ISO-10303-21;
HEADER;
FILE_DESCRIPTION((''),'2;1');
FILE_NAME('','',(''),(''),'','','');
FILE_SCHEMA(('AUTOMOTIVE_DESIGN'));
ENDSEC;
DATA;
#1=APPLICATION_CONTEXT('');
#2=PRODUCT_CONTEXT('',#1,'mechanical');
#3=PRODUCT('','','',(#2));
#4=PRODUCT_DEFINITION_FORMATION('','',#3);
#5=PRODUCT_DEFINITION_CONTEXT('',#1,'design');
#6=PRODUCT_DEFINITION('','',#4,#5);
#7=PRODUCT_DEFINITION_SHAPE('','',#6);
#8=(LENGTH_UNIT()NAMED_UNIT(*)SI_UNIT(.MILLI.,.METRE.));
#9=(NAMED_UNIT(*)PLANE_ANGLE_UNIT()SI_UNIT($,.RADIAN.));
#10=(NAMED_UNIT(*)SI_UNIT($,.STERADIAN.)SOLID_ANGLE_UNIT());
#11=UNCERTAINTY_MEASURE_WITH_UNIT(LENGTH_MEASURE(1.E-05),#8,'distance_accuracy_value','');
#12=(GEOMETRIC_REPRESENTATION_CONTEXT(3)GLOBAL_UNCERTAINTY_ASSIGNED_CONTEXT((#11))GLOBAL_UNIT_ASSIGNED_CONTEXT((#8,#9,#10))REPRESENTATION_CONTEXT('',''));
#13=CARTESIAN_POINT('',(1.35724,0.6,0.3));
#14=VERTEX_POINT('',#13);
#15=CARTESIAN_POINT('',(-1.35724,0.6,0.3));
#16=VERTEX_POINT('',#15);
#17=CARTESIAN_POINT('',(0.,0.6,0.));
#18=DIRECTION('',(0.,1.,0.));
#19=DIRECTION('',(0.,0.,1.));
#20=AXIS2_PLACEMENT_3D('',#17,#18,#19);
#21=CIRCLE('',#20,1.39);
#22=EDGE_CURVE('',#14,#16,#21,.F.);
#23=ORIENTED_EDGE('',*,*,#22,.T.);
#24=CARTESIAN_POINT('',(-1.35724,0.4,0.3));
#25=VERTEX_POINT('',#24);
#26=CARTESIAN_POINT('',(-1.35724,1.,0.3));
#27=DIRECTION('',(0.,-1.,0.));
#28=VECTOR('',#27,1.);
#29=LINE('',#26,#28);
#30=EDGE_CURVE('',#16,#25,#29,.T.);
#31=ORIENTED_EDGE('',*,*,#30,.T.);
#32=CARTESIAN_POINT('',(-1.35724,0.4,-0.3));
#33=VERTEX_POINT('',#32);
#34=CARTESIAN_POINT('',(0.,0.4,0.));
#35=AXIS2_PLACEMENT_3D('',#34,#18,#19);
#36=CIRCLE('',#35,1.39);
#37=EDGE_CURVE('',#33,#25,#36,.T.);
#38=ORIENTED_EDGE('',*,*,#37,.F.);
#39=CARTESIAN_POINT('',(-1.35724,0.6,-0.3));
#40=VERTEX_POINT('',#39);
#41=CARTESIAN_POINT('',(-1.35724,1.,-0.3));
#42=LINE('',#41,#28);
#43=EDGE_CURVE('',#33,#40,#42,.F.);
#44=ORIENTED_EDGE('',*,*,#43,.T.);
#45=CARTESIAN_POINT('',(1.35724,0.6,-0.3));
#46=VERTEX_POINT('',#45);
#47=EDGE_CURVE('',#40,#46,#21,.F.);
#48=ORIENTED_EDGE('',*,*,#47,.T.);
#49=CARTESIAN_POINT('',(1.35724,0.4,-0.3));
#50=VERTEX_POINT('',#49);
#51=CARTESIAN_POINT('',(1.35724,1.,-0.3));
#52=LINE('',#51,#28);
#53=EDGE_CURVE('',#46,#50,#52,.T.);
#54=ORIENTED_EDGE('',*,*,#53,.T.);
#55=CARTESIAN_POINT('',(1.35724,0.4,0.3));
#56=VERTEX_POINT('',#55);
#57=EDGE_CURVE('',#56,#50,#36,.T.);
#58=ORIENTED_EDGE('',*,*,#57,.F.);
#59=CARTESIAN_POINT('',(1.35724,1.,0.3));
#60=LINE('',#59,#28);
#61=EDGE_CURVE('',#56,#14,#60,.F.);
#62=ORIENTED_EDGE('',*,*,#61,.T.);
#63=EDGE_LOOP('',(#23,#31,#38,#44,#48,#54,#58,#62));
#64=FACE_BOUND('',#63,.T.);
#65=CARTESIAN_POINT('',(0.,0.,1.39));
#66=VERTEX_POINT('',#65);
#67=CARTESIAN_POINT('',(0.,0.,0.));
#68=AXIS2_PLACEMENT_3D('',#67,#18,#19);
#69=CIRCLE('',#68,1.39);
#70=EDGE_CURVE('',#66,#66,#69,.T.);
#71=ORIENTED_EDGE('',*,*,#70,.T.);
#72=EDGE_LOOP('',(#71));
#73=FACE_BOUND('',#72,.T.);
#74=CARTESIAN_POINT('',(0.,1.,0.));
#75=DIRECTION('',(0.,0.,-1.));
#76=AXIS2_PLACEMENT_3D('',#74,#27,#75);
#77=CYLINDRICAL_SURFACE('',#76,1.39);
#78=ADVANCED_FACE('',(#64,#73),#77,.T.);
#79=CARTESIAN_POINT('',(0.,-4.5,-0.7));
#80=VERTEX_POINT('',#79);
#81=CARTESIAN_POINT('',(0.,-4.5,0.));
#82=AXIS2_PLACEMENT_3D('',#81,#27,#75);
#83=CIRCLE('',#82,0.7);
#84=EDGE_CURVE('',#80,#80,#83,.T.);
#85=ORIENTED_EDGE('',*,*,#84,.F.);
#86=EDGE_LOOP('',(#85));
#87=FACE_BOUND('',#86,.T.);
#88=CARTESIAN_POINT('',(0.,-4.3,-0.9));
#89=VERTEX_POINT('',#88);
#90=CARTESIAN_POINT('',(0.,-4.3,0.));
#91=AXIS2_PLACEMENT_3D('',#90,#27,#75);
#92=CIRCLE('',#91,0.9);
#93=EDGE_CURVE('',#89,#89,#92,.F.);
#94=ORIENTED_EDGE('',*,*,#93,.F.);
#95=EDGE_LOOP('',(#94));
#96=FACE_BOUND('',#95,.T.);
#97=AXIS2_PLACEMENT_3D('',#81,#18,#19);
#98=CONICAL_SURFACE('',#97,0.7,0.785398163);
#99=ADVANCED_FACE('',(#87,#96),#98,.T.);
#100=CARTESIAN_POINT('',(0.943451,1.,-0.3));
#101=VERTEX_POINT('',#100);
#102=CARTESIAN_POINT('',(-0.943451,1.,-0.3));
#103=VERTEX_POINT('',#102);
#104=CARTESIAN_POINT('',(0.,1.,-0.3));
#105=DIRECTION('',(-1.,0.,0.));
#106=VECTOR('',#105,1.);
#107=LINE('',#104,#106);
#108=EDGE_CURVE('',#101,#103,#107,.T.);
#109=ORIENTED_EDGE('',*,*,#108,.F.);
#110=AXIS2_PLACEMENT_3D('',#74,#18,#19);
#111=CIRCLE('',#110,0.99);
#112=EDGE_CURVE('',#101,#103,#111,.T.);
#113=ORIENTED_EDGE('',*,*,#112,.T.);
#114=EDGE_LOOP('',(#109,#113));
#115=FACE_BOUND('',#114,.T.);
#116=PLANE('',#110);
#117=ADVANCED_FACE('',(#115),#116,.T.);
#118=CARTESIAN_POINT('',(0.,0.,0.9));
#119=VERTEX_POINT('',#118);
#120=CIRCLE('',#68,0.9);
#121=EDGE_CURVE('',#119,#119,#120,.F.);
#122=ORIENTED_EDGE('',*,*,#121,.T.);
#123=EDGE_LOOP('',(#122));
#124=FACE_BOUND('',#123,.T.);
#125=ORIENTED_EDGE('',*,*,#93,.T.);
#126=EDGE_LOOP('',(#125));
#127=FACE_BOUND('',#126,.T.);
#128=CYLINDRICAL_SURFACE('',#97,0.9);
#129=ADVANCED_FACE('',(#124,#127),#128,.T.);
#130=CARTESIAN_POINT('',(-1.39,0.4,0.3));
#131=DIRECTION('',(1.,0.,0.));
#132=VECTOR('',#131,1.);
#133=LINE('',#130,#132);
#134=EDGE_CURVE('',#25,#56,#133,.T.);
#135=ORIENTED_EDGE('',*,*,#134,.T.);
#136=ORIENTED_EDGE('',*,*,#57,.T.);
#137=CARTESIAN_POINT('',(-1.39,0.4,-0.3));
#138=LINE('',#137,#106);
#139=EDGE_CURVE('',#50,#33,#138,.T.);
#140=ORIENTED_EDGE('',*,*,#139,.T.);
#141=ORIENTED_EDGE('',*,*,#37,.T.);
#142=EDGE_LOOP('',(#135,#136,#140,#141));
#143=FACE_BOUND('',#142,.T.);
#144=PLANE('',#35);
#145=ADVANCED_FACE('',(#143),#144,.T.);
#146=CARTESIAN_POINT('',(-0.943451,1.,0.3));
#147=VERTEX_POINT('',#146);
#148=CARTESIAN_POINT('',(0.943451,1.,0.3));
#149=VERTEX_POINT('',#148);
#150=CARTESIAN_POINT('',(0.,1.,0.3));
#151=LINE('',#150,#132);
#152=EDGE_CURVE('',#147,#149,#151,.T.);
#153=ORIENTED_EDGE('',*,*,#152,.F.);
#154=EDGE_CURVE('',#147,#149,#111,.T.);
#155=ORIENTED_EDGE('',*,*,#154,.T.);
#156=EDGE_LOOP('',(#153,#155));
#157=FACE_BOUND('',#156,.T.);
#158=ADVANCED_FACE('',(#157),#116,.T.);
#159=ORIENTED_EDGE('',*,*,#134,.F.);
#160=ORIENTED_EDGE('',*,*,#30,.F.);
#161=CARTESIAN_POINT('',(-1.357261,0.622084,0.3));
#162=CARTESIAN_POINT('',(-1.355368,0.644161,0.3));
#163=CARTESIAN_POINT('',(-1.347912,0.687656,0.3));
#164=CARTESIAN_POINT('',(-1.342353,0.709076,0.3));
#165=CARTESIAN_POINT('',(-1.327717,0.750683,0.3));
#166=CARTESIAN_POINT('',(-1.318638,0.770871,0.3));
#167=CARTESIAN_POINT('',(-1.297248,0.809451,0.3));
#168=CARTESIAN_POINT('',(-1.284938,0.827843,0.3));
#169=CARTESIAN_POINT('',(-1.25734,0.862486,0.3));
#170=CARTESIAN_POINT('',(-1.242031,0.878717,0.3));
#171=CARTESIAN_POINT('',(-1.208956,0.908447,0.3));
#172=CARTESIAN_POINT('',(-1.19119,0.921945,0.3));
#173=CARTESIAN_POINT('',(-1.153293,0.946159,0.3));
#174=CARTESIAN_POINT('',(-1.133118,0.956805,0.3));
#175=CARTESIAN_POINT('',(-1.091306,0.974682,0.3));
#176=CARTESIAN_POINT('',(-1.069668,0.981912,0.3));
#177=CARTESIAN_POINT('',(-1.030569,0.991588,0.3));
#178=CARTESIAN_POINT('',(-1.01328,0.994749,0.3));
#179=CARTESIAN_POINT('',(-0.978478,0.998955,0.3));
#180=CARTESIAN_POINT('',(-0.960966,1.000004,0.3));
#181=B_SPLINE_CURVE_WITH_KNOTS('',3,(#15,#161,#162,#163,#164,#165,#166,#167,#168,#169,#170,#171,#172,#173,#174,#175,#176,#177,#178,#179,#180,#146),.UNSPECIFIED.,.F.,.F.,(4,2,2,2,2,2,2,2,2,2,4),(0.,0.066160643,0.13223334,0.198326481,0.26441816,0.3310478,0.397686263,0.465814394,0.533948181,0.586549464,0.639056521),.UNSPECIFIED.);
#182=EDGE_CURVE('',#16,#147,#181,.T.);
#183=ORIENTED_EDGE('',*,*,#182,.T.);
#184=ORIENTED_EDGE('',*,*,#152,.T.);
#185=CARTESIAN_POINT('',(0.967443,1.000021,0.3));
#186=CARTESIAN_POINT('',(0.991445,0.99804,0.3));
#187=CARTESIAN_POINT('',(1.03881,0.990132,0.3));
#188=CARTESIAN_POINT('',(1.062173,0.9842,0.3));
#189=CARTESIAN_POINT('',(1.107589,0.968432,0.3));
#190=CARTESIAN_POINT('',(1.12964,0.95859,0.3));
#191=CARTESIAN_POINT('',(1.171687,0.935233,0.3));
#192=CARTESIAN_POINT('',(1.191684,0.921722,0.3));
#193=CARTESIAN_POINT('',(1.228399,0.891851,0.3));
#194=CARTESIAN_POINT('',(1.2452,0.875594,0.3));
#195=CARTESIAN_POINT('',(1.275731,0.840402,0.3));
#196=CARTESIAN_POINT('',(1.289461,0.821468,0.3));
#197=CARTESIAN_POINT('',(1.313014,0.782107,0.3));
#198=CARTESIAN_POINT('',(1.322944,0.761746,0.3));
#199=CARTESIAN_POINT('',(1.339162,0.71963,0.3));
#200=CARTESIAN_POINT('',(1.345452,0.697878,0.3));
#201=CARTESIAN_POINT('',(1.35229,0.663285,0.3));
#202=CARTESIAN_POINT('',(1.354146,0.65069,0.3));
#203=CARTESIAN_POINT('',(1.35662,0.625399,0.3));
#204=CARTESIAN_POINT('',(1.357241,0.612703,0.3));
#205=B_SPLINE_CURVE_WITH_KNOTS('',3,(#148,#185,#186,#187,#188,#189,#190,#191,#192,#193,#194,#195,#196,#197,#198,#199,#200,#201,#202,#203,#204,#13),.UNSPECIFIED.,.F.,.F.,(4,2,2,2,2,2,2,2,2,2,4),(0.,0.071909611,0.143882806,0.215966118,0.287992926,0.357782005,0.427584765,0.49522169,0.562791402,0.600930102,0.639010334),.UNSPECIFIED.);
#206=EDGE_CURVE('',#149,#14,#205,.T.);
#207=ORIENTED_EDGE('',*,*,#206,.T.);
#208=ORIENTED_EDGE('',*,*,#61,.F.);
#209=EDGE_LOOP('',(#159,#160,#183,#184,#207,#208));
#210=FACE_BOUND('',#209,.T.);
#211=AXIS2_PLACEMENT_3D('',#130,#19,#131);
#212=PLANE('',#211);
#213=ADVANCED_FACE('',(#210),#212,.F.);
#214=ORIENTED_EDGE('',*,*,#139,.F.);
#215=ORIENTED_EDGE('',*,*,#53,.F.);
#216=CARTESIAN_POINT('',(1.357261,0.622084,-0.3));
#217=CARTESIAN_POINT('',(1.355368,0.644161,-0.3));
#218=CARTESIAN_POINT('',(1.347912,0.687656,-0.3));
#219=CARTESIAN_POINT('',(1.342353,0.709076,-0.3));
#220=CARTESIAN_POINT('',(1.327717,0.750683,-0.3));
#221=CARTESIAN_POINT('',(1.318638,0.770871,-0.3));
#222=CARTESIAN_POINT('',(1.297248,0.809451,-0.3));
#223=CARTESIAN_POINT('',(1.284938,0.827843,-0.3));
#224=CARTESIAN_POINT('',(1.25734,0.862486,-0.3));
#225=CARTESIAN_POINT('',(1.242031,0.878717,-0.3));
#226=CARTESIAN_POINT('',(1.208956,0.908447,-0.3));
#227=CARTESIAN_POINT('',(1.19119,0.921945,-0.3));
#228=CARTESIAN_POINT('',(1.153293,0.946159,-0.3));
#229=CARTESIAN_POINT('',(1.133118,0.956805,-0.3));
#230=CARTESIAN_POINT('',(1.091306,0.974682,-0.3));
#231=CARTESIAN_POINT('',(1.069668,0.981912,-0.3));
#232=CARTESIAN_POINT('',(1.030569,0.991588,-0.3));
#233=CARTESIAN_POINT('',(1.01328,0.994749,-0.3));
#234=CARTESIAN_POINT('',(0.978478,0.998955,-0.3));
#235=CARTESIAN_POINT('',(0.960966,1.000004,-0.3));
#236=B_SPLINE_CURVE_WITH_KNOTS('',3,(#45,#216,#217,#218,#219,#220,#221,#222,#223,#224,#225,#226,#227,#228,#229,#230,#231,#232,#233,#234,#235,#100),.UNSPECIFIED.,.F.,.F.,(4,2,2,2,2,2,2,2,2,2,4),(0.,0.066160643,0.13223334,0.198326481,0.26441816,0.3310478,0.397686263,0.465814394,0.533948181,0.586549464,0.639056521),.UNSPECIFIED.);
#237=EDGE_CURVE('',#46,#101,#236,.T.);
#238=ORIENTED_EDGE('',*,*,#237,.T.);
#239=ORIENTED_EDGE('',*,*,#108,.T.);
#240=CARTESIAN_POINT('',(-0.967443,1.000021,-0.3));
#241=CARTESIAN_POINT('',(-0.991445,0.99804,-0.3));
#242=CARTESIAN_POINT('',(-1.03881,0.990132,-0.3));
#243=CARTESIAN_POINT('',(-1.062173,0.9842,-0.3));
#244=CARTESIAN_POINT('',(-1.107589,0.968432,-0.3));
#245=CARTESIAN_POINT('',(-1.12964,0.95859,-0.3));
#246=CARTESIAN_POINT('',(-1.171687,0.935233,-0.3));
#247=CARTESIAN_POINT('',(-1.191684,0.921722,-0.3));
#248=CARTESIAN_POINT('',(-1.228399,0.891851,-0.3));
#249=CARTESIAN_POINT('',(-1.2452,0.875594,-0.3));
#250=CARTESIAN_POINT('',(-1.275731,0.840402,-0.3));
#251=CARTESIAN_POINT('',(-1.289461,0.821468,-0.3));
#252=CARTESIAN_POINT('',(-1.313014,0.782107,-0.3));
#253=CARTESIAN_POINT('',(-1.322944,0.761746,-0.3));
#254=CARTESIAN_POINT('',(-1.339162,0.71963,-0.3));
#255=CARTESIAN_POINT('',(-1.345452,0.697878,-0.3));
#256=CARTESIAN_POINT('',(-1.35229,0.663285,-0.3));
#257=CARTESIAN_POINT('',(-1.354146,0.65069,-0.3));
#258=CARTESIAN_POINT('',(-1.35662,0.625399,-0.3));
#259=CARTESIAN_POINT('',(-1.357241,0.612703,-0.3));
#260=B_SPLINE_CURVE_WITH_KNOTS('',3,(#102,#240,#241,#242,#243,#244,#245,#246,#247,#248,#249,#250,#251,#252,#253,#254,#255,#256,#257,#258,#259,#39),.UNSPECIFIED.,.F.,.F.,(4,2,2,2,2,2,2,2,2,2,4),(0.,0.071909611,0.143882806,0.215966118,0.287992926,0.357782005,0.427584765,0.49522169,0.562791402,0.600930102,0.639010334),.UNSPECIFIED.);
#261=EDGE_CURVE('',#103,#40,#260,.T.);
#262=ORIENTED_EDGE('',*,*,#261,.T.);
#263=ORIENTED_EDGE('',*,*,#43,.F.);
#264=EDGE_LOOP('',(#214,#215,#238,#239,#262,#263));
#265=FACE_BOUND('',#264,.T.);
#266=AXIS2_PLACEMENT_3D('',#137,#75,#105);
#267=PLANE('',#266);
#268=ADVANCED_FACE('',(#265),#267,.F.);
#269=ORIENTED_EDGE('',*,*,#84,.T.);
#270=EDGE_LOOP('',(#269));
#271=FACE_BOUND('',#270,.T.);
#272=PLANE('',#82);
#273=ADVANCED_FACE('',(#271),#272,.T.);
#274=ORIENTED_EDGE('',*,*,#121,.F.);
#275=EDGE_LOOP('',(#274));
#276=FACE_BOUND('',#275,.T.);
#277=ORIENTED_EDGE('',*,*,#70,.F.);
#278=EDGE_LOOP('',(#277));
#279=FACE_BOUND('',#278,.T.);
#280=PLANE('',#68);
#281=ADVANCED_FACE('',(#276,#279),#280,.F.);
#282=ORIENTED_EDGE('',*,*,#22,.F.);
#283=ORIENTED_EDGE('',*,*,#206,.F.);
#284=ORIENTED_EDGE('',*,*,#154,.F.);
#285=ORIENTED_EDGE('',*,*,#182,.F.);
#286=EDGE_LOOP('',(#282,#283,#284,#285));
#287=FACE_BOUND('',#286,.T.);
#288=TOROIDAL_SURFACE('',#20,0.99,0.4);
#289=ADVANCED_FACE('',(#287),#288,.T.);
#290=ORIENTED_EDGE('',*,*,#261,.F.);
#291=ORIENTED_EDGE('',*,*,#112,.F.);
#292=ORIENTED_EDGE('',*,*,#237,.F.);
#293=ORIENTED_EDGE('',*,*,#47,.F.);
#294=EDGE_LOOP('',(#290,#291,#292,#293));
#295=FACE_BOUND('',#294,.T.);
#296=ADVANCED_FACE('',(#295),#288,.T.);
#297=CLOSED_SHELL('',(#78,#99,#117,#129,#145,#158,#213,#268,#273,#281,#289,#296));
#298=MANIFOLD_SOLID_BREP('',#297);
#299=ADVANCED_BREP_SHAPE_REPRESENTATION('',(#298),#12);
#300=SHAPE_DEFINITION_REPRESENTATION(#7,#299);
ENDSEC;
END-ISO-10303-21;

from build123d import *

# Parameters (mm, degrees)
SKETCH_1_R          = 1.39
EXTRUDE_1_DEPTH     = 1
SKETCH_2_W          = 2.78
SKETCH_2_H          = 0.6
CUT_EXTRUDE_1_DEPTH = 0.6
FILLET_2_R          = 0.4
SKETCH_3_R          = 0.9
EXTRUDE_2_DEPTH     = 4.5
CHAMFER_1_SIZE      = 0.2


with BuildPart() as part:
    # Эскиз1 → Бобышка-Вытянуть1 (new body)
    with BuildSketch(Plane(origin=(0, 0, 0), x_dir=(1, 0, 0), z_dir=(0, 1, 0))):
        with Locations(Location((0, 0, 0), (0, 0, 270))):
            Circle(SKETCH_1_R)
    extrude(amount=EXTRUDE_1_DEPTH)

    # Эскиз2 → Вырез-Вытянуть1 (cut)
    with BuildSketch(Plane(origin=(0, 1, 0), x_dir=(1, 0, 0), z_dir=(0, 1, 0))):
        Rectangle(SKETCH_2_W, SKETCH_2_H)
    extrude(amount=-CUT_EXTRUDE_1_DEPTH, mode=Mode.SUBTRACT)

    # Скругление2
    fillet_2_edges = [part.edges().sort_by_distance(p)[0] for p in [
        (0, 1, -1.39),
        (0.870373483, 1, 1.08376658),
    ]]
    fillet(fillet_2_edges, radius=FILLET_2_R)

    # Эскиз3 → Бобышка-Вытянуть2 (add)
    with BuildSketch(Plane.XZ):
        with Locations(Location((0, 0, 0), (0, 0, 90))):
            Circle(SKETCH_3_R)
    extrude(amount=EXTRUDE_2_DEPTH)

    # Фаска1
    chamfer_1_edges = [part.edges().sort_by_distance(p)[0] for p in [
        (0, -4.5, -0.9),
    ]]
    chamfer(chamfer_1_edges, length=CHAMFER_1_SIZE)


solid = part.part
